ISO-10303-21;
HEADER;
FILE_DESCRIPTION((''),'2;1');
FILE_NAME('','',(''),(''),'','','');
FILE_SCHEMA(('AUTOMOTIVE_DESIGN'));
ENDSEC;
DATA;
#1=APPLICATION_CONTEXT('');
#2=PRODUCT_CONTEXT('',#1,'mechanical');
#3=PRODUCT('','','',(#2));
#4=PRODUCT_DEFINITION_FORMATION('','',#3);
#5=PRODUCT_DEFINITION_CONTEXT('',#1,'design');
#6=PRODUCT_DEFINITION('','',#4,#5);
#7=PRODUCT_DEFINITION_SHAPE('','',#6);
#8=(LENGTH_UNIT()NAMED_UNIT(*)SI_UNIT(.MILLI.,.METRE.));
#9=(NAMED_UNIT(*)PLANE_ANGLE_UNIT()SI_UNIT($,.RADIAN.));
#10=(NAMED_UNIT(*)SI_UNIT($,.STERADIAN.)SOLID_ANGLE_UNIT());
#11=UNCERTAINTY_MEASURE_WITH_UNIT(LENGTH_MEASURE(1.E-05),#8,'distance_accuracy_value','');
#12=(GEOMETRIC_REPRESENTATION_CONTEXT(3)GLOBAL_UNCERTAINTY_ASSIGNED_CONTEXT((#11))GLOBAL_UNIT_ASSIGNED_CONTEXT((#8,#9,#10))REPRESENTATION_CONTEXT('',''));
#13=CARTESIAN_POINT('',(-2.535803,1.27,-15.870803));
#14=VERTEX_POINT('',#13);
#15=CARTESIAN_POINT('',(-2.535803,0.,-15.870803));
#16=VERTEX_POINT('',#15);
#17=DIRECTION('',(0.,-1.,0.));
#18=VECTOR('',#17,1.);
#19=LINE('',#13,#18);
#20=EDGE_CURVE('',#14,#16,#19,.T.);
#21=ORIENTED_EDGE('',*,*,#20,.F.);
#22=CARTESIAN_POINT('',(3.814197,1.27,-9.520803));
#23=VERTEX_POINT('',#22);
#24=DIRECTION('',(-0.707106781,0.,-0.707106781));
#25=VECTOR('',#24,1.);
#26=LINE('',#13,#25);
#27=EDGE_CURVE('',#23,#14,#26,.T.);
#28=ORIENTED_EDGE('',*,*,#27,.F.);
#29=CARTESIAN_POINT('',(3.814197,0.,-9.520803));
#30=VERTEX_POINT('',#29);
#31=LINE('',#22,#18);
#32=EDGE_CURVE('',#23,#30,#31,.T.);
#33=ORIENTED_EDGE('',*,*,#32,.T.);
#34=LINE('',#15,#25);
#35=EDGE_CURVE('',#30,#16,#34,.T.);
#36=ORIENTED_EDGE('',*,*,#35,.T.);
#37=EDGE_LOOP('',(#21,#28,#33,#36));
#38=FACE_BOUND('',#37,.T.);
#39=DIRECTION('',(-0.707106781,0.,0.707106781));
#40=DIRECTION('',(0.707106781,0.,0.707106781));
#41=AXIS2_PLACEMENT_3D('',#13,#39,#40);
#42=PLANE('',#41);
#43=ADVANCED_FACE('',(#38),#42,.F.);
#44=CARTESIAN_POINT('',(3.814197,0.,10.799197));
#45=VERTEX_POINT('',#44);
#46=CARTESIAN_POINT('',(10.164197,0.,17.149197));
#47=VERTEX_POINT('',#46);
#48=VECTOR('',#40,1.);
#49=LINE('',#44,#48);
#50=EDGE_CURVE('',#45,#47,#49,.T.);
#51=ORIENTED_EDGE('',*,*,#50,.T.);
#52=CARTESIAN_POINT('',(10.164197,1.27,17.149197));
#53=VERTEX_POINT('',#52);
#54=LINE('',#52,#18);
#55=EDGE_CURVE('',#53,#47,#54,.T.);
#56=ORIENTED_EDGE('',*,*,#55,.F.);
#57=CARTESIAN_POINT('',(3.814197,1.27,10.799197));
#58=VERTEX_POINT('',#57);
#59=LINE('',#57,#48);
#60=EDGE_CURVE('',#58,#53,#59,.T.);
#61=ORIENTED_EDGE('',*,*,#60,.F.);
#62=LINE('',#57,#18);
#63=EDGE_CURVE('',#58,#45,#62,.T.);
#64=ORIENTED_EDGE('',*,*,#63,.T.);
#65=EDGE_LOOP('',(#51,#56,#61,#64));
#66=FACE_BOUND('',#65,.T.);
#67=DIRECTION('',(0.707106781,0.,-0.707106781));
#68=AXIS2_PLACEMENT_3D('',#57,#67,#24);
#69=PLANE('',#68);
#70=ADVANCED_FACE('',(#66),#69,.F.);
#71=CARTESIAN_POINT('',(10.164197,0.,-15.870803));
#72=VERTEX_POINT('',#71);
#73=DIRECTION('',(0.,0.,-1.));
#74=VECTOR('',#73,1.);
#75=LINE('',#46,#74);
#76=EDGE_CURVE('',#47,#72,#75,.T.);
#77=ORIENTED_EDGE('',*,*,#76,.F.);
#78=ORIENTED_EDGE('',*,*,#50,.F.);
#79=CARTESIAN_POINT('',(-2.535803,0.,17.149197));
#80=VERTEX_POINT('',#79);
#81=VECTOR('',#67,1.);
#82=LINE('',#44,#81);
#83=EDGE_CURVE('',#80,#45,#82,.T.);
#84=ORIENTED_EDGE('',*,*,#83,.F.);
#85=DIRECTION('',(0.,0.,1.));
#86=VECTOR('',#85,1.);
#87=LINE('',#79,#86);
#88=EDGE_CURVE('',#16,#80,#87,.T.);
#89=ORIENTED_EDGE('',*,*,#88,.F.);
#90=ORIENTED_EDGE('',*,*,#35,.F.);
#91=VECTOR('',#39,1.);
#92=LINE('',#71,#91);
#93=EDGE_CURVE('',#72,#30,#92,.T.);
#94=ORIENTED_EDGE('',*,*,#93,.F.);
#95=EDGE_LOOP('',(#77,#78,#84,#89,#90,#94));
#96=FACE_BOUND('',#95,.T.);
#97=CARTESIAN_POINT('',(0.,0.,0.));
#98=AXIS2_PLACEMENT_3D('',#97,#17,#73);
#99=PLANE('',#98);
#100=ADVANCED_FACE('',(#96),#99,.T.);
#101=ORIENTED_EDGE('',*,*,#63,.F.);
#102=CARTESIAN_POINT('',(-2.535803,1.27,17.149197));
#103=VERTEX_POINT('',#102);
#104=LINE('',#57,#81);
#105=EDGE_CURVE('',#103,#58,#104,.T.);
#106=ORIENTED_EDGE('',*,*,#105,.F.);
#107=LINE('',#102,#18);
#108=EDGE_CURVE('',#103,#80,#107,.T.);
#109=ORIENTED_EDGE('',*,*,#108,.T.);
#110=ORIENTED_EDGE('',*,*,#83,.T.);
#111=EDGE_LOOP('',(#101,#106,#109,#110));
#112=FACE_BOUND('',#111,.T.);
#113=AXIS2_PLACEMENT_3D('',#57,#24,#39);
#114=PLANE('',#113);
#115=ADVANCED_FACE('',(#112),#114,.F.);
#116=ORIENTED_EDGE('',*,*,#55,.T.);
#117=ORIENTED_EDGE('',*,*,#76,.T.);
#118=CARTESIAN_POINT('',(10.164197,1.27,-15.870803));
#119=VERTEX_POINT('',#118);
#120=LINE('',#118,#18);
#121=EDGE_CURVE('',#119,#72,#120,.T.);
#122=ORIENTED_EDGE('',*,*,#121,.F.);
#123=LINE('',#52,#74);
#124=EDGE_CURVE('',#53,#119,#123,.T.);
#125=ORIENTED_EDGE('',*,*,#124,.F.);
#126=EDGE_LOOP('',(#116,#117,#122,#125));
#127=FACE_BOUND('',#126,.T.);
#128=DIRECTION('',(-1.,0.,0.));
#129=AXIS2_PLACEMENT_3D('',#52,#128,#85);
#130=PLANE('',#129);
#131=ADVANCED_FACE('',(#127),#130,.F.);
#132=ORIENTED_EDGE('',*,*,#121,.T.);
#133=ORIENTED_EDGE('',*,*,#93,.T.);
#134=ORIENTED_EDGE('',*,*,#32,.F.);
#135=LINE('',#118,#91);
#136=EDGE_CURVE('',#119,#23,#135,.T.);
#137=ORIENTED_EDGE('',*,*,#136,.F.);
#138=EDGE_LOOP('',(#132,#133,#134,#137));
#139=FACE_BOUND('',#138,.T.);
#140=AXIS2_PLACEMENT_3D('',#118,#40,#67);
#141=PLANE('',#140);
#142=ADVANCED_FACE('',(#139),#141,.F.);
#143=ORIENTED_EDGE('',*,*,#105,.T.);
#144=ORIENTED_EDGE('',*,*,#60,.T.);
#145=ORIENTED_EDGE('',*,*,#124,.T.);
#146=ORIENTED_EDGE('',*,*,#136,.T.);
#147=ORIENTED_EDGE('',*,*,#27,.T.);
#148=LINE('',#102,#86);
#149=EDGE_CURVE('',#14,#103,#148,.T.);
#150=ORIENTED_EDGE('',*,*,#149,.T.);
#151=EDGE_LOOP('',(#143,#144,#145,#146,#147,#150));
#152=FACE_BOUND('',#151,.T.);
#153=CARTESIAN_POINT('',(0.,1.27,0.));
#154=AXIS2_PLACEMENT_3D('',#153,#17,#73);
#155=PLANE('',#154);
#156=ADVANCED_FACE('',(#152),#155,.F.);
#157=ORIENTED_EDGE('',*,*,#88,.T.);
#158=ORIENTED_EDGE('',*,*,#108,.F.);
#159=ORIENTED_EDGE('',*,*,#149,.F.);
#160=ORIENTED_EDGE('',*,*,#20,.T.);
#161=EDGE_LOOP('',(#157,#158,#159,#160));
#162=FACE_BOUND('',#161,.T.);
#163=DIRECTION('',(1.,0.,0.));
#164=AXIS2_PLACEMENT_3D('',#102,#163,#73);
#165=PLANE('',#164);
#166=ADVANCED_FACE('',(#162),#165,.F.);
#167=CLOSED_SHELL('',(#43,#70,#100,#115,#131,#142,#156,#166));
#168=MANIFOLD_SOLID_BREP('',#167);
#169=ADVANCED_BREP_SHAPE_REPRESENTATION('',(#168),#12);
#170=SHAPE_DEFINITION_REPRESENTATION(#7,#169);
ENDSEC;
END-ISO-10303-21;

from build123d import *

# Parameters (mm, degrees)
BOSS_EXTRUDE1_DEPTH = 1.27


with BuildPart() as part:
    # Sketch1 → Boss-Extrude1 (new body)
    with BuildSketch(Plane(origin=(0, 0, 0), x_dir=(1, 0, 0), z_dir=(0, 1, 0))):
        Polygon((3.814197139, -10.799197139), (-2.535802861, -17.149197139), (-2.535802861, 15.870802861), (3.814197139, 9.520802861), (10.164197139, 15.870802861), (10.164197139, -17.149197139), align=None)
    extrude(amount=BOSS_EXTRUDE1_DEPTH)


solid = part.part
